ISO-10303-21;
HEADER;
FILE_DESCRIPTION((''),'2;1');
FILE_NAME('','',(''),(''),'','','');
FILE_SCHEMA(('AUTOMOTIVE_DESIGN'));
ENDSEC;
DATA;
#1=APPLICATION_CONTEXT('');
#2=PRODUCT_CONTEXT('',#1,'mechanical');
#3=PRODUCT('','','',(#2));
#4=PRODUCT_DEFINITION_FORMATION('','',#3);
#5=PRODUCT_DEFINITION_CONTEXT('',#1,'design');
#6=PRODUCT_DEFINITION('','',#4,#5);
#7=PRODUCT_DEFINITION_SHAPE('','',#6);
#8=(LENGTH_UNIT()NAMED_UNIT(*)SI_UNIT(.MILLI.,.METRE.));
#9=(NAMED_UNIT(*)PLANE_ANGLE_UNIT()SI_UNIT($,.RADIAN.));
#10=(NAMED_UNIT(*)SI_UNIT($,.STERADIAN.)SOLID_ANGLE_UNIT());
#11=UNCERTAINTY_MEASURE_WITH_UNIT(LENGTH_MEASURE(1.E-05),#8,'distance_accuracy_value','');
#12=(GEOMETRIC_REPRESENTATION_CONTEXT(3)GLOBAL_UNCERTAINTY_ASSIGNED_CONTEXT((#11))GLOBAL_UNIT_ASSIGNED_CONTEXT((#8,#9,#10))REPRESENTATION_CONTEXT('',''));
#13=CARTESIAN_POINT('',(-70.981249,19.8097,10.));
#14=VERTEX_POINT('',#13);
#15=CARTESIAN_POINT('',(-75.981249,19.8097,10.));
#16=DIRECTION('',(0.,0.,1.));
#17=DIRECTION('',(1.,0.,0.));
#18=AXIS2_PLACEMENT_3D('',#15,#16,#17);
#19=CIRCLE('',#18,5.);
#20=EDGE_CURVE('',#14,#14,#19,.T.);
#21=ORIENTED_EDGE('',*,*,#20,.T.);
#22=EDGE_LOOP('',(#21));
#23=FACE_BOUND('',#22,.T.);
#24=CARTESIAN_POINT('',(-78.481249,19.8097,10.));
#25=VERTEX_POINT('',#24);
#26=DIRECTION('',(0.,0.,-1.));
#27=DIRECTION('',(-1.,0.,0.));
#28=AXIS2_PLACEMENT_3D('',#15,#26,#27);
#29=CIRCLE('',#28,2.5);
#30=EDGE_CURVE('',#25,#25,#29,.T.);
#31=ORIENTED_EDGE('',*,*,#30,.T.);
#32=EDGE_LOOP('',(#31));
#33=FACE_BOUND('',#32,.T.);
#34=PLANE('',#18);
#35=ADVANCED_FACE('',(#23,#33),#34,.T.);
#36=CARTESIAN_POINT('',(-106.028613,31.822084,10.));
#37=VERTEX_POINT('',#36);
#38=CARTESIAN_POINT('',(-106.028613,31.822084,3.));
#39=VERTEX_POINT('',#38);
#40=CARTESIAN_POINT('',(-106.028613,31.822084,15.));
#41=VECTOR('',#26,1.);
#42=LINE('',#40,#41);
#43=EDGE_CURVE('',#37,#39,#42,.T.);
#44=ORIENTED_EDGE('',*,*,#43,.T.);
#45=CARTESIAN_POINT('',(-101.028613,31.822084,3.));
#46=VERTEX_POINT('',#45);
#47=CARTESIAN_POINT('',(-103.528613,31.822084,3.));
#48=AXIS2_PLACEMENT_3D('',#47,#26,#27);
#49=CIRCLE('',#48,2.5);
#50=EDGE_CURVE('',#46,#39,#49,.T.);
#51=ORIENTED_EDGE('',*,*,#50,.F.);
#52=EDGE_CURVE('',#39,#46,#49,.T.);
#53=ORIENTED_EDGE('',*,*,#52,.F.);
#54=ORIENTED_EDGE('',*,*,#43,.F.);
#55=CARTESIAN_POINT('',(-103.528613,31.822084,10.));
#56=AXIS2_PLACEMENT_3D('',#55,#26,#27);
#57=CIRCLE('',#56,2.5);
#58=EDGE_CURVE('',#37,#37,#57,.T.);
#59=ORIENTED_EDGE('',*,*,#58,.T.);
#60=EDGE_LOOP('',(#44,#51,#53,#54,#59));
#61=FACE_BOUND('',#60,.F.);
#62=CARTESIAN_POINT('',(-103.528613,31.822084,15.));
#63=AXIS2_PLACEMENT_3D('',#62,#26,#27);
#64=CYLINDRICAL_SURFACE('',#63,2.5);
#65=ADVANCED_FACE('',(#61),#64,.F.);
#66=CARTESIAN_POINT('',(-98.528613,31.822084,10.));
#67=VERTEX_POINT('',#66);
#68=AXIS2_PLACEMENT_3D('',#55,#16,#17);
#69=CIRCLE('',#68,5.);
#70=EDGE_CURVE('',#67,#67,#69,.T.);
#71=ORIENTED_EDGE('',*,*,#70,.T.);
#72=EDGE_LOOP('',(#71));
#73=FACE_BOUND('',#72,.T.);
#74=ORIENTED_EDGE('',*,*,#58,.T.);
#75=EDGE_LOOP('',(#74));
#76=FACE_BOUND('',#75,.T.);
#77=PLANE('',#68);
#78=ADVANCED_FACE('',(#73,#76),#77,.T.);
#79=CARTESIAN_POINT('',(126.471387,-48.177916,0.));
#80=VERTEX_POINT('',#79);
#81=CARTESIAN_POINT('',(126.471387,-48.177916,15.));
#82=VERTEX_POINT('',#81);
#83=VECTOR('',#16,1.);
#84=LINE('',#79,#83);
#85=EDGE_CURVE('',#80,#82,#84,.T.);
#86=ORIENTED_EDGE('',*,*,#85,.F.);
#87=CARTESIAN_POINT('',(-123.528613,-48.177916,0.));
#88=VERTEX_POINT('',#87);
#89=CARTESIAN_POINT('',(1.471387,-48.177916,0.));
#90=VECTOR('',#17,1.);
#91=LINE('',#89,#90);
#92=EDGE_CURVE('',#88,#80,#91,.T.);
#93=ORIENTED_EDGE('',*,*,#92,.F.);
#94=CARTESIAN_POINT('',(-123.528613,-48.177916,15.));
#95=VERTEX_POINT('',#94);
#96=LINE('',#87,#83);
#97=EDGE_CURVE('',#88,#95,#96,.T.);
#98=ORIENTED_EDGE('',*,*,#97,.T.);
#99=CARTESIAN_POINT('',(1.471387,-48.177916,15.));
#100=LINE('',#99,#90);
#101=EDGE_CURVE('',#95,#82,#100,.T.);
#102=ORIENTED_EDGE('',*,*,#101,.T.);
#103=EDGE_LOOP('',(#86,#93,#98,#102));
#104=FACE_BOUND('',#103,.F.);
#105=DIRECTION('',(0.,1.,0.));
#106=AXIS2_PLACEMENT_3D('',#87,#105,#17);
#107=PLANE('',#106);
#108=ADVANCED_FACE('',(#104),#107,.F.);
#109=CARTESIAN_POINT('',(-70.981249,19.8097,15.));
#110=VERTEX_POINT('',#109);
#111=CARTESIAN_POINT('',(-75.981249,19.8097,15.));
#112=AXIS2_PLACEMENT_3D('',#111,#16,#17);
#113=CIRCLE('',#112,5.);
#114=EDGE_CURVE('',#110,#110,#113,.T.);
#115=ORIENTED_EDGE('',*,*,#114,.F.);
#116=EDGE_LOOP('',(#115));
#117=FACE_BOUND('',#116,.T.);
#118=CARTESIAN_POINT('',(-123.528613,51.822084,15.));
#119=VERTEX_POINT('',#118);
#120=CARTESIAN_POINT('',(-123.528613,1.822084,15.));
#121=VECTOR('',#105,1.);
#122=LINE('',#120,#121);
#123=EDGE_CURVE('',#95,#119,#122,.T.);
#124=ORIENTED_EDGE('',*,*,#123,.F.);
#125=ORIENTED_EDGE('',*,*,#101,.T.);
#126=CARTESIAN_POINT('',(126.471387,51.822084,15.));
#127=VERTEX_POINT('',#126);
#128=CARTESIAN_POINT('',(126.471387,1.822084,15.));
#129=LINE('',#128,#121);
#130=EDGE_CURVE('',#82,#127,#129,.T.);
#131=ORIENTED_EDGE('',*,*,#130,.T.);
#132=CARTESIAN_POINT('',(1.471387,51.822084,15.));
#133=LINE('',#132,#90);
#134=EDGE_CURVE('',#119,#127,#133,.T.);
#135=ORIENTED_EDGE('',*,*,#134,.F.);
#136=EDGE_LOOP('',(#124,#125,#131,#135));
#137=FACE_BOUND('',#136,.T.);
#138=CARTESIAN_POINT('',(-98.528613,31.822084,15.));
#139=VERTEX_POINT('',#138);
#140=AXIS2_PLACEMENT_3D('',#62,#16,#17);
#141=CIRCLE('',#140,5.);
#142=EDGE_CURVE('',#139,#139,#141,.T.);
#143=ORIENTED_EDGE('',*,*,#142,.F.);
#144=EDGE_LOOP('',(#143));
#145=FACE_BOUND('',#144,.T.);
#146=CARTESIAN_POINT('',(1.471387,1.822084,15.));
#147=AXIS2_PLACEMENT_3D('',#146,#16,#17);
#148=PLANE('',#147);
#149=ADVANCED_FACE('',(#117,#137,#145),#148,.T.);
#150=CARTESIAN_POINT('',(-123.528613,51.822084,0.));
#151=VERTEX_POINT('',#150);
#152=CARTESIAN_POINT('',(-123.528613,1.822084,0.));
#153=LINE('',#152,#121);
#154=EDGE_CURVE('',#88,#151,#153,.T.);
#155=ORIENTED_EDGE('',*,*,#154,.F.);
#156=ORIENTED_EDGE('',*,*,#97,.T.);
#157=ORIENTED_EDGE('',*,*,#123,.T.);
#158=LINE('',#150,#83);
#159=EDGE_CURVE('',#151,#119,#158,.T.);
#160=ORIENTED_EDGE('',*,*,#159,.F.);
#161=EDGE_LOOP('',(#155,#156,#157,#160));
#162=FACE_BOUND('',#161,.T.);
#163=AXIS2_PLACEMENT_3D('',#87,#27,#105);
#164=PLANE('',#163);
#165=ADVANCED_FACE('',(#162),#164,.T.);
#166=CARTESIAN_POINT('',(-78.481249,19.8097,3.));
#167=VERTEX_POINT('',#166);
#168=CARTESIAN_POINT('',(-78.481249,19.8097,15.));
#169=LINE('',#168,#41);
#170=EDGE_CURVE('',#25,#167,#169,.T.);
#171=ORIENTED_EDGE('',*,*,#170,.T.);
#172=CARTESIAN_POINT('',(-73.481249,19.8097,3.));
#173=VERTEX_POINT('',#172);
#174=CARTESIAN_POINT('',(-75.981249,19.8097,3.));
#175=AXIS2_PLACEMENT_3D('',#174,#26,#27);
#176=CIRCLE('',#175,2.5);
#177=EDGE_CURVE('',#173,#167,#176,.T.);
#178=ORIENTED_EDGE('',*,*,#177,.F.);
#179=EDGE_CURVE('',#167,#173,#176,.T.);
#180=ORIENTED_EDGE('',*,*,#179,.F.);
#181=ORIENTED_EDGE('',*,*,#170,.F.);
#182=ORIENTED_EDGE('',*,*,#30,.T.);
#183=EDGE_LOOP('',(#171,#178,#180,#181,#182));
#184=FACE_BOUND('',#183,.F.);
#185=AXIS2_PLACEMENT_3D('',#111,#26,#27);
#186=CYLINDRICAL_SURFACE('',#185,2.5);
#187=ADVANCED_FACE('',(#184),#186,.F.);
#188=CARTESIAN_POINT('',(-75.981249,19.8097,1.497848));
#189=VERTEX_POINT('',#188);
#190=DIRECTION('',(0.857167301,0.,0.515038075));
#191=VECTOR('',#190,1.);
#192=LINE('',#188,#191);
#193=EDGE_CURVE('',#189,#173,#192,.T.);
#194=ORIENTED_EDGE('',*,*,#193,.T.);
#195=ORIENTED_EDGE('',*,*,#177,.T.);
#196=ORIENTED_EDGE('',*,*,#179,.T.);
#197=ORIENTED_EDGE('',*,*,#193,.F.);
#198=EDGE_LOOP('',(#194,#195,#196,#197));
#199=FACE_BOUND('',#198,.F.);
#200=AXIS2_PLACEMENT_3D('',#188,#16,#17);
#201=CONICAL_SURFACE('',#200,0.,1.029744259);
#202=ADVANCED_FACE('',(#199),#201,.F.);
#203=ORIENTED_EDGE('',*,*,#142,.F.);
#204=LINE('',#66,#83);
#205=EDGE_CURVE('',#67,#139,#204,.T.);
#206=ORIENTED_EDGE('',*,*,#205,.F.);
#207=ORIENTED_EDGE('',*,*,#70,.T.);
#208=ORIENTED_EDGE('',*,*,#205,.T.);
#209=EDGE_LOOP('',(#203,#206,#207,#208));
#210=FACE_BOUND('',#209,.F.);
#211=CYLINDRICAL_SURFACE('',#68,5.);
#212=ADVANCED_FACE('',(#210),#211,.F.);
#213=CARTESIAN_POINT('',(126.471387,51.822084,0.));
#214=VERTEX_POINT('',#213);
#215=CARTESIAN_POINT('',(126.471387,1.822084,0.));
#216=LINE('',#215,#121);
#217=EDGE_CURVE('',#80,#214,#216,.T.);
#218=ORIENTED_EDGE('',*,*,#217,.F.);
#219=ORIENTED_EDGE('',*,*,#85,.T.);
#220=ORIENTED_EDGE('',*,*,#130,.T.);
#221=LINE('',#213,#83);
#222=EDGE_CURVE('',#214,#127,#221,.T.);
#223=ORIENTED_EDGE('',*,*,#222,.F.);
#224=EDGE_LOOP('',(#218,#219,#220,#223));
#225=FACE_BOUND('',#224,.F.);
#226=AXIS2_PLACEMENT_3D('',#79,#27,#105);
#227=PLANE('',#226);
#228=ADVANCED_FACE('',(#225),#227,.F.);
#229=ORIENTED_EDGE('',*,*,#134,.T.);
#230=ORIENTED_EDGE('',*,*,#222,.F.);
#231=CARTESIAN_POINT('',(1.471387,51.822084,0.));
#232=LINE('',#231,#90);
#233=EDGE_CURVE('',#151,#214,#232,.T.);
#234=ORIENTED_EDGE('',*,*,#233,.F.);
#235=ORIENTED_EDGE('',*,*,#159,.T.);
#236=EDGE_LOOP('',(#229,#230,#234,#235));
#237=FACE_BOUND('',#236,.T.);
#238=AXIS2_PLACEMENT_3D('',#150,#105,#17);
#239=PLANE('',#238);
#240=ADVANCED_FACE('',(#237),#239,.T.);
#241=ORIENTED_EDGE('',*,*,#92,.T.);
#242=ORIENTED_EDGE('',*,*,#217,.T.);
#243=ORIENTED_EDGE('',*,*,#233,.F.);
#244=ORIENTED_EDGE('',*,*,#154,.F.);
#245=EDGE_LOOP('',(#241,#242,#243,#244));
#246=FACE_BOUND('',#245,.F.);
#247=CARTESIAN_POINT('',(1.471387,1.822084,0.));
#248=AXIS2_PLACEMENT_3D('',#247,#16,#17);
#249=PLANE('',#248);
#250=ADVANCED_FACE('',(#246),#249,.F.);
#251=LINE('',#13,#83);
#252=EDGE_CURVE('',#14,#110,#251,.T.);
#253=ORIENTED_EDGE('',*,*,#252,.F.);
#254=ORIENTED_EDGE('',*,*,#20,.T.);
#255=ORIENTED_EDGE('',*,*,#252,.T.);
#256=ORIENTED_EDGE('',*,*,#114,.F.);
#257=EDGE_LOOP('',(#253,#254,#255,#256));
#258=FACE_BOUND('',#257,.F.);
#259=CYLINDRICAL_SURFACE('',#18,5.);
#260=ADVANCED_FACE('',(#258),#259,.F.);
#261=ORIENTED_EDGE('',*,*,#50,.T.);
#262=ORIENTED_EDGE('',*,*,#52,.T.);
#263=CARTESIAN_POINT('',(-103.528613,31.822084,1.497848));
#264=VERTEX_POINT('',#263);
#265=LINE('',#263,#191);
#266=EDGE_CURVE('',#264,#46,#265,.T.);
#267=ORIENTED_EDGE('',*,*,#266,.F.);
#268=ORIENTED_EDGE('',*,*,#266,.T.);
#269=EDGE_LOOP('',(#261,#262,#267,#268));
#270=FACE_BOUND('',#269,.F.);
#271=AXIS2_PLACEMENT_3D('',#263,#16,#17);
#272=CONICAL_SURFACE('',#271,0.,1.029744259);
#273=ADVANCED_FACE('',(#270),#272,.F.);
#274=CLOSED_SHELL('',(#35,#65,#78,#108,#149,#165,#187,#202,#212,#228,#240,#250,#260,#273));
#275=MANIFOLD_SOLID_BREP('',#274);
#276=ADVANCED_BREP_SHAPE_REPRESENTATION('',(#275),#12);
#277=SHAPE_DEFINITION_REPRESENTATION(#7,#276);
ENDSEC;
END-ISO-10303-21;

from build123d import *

# Parameters (mm, degrees)
F0_W           = 250
F0_H           = 100
F1_DEPTH       = 15
F3_D           = 5
F3_DEPTH       = 12
F3_CBORE_D     = 10
F3_CBORE_DEPTH = 5
F3_TIP         = 1.5021515476


with BuildPart() as f1:
    # F0 (on Top) → F1 (new body)
    with BuildSketch(Plane.XY):
        with Locations((1.4713872279, 1.8220841885)):
            Rectangle(F0_W, F0_H)
    extrude(amount=F1_DEPTH)

    # F3
    with Locations(Plane.XY.offset(15)):
        with Locations((-103.5286127721, 31.8220841885), (-75.9812488966, 19.8097003586)):
            CounterBoreHole(F3_D / 2, F3_CBORE_D / 2, F3_CBORE_DEPTH, depth=F3_DEPTH)
            with Locations((0, 0, -(F3_DEPTH + F3_TIP / 2))):  # 118° drill point
                Cone(0, F3_D / 2, F3_TIP, mode=Mode.SUBTRACT)


solid = f1.part
